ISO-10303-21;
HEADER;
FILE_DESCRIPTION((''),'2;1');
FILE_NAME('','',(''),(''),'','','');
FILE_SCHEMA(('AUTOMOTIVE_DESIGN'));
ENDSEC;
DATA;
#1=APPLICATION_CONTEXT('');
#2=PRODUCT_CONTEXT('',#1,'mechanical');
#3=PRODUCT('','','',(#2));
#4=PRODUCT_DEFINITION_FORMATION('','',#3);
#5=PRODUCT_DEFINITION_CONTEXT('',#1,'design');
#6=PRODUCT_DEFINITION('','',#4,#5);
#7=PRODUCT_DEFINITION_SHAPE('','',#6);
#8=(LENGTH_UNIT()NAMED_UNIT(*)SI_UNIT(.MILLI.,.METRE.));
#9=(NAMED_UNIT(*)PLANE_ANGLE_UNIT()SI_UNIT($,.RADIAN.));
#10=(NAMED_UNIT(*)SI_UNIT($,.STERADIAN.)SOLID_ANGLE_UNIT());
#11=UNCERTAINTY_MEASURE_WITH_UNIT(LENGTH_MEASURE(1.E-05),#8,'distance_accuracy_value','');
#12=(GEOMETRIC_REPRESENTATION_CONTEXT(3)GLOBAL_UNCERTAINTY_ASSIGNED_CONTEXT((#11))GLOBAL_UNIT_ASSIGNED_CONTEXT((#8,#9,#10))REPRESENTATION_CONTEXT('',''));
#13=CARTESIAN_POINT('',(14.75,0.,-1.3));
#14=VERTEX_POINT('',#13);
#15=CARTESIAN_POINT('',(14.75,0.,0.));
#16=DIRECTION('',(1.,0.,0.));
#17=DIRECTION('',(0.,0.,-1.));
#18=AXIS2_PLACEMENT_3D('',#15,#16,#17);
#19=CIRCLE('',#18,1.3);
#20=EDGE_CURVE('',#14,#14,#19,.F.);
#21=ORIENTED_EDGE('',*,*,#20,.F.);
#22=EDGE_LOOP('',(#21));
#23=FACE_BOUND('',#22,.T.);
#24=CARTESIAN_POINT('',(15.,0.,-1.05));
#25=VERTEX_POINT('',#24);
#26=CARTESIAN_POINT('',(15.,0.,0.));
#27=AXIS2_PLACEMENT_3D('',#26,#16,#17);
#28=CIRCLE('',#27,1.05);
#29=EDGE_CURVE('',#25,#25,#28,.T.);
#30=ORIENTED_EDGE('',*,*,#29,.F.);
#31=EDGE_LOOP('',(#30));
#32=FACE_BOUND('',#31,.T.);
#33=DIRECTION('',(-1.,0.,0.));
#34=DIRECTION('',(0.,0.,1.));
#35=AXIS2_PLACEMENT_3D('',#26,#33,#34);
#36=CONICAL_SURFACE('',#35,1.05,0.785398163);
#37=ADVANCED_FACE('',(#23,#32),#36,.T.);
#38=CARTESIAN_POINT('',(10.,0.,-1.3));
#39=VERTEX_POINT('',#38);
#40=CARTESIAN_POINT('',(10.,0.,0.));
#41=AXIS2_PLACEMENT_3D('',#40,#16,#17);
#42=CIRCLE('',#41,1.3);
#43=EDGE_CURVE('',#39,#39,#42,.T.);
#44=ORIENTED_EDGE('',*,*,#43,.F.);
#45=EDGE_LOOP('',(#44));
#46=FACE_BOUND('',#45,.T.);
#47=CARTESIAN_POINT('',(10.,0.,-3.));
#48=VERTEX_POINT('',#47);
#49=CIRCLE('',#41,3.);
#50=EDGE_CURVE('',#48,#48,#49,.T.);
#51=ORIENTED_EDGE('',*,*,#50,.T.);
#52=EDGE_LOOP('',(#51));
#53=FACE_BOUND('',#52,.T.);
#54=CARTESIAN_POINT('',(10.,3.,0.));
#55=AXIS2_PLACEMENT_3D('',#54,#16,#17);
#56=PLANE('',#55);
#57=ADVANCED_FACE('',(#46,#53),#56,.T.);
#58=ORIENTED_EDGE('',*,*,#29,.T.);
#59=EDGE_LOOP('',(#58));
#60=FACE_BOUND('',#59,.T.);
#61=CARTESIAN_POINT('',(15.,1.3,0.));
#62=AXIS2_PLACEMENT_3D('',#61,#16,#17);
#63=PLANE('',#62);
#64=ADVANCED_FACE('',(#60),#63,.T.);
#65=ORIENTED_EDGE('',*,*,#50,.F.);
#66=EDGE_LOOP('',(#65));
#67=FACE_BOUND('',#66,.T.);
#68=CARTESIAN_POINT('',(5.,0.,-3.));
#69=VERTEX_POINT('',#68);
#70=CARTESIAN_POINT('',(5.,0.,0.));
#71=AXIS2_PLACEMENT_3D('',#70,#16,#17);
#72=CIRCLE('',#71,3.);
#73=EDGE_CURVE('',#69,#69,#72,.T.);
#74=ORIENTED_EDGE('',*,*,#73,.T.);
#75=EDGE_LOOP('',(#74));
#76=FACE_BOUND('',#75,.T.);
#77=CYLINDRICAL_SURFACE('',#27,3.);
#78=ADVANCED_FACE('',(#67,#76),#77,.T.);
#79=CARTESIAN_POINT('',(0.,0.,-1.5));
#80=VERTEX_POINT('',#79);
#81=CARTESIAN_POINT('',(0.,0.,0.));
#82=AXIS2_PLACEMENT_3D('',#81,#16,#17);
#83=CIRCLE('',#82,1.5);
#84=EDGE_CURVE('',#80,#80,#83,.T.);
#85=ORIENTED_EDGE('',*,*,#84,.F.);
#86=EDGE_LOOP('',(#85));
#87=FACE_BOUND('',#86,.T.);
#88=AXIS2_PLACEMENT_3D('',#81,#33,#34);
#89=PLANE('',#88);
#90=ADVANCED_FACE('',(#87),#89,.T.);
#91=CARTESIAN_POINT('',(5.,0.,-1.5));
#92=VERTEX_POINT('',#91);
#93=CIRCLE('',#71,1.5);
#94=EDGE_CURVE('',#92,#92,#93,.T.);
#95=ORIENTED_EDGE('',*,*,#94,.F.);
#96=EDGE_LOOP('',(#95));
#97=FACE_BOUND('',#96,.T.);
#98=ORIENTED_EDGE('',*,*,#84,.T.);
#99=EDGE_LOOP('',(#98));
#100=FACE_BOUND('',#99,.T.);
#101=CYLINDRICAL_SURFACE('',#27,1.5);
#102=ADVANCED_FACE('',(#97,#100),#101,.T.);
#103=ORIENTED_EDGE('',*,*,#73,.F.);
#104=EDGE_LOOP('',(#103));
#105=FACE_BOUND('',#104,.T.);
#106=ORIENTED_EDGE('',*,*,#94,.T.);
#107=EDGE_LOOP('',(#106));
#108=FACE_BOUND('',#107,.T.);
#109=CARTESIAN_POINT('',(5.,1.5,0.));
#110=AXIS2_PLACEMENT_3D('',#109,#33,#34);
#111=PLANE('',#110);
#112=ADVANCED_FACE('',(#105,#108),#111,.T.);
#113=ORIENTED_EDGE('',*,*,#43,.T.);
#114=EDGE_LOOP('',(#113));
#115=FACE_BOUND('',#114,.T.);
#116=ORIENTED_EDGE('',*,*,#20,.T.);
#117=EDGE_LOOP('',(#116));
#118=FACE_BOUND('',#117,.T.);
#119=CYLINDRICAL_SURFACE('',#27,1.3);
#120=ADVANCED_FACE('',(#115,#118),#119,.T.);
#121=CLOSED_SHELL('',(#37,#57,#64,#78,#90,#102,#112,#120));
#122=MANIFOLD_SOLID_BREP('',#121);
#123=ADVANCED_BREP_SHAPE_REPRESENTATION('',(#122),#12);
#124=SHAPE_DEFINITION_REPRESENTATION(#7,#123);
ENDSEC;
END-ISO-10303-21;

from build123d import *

# Parameters (mm, degrees)
CHANFREIN1_SIZE = 0.25


with BuildPart() as part:
    # Esquisse1 → Révolution1 (revolve)
    with BuildSketch(Plane.XY, mode=Mode.PRIVATE) as r_volution1_sk:
        Polygon((0, 0), (0, 1.5), (5, 1.5), (5, 3), (10, 3), (10, 1.3), (15, 1.3), (15, 0), align=None)
    revolve(r_volution1_sk.sketch.rotate(Axis((15, 0, 0), (-1, 0, 0)), 90), axis=Axis((15, 0, 0), (-1, 0, 0)))  # turned: the seam where the file's is

    # Chanfrein1
    chanfrein1_edges = [part.edges().sort_by_distance(p)[0] for p in [
        (15, 0, 1.3),
    ]]
    chamfer(chanfrein1_edges, length=CHANFREIN1_SIZE)


solid = part.part
